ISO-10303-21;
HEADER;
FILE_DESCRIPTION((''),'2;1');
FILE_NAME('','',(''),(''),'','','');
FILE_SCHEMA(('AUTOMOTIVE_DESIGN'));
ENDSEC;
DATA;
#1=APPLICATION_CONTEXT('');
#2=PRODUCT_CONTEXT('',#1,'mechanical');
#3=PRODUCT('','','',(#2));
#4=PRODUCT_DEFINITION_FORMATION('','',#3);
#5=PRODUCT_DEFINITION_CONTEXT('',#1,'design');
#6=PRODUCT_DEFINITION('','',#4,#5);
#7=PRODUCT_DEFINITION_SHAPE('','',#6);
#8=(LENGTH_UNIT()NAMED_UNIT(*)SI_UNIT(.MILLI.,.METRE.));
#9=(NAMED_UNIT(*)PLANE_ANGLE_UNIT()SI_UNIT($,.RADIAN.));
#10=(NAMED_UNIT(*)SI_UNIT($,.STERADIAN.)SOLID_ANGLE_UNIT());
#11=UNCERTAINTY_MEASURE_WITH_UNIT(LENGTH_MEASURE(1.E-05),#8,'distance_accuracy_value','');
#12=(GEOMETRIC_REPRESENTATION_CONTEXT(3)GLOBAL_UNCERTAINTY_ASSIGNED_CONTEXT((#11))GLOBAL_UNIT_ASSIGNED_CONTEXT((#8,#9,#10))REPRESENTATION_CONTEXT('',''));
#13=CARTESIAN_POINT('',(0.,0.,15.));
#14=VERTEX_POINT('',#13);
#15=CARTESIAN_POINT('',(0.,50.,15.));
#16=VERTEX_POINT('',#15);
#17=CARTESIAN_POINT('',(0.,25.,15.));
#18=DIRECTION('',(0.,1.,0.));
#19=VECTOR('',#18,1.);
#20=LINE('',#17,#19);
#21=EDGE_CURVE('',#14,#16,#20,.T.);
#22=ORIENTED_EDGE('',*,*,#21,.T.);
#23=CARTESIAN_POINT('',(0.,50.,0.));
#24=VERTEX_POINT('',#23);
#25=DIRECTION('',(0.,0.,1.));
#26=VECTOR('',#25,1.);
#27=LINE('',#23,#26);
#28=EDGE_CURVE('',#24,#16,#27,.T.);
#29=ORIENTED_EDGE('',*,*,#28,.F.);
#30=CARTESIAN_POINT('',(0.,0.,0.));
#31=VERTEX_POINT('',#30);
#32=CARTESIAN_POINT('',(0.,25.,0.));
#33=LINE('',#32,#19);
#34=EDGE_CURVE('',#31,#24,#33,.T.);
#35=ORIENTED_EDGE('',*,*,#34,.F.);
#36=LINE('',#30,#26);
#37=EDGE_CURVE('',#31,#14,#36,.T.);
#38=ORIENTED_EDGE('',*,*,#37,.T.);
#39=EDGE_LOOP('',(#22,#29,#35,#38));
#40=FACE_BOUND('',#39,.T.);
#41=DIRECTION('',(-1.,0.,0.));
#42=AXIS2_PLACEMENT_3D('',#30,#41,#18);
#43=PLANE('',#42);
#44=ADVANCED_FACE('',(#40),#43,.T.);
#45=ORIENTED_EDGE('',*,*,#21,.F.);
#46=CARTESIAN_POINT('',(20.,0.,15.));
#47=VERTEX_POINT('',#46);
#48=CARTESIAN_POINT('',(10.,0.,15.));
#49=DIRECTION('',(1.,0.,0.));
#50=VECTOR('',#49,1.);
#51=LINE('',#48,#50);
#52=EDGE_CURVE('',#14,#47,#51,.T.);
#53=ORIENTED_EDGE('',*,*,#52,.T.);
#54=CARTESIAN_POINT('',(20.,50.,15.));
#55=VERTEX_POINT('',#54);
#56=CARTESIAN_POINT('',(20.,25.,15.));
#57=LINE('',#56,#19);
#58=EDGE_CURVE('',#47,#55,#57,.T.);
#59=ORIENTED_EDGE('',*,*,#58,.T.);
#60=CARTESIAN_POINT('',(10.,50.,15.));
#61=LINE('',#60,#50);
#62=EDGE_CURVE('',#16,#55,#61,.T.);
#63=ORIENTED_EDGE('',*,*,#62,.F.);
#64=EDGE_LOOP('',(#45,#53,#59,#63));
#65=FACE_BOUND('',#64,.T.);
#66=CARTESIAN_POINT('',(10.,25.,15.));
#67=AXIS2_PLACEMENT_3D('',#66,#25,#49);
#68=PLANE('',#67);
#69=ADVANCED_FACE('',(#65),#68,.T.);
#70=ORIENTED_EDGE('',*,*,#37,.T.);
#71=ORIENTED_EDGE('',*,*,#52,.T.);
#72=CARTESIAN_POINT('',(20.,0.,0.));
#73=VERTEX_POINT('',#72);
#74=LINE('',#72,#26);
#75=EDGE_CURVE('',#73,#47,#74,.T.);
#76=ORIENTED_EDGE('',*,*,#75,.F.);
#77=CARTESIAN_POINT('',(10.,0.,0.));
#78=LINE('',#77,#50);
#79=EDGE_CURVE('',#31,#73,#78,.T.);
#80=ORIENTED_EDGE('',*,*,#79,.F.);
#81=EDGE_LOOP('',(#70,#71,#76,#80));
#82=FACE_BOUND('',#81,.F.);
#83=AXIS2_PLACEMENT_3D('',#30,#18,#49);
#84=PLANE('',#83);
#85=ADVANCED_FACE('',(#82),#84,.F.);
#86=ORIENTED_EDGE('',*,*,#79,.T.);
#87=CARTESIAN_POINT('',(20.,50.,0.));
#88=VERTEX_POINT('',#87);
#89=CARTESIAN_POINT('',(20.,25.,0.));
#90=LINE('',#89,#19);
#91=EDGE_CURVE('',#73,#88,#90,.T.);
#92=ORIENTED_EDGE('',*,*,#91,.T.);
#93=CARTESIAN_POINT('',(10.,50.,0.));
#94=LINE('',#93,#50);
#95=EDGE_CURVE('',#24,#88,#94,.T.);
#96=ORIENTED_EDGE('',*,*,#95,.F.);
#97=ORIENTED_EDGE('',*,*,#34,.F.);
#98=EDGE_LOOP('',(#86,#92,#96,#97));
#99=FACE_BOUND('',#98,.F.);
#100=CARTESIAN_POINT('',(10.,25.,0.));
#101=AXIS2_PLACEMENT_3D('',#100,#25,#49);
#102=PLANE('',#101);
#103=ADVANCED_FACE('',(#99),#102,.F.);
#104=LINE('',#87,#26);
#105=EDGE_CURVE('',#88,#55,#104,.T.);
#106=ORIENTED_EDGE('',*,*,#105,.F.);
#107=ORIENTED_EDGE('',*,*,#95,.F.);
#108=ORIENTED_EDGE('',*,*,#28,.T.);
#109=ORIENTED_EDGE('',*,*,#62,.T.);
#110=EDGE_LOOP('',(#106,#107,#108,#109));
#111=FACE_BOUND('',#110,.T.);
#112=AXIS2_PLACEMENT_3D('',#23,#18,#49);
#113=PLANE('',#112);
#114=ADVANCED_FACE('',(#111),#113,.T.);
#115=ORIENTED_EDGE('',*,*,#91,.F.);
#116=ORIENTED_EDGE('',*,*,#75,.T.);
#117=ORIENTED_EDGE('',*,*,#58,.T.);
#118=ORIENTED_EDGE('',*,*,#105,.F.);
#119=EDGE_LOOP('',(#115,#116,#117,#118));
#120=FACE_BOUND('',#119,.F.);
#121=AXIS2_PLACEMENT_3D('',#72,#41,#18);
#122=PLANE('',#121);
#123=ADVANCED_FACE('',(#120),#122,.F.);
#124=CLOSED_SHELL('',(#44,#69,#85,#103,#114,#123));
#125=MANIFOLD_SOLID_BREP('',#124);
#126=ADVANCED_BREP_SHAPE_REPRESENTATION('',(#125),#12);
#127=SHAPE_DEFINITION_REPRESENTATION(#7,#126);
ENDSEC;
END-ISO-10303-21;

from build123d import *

# Parameters (mm, degrees)
SKETCH_W  = 20
SKETCH_H  = 50
PAD_DEPTH = 15


with BuildPart() as part:
    # Sketch → Pad (new body)
    with BuildSketch(Plane.XY):
        with Locations((10, 25)):
            Rectangle(SKETCH_W, SKETCH_H)
    extrude(amount=PAD_DEPTH)


solid = part.part
